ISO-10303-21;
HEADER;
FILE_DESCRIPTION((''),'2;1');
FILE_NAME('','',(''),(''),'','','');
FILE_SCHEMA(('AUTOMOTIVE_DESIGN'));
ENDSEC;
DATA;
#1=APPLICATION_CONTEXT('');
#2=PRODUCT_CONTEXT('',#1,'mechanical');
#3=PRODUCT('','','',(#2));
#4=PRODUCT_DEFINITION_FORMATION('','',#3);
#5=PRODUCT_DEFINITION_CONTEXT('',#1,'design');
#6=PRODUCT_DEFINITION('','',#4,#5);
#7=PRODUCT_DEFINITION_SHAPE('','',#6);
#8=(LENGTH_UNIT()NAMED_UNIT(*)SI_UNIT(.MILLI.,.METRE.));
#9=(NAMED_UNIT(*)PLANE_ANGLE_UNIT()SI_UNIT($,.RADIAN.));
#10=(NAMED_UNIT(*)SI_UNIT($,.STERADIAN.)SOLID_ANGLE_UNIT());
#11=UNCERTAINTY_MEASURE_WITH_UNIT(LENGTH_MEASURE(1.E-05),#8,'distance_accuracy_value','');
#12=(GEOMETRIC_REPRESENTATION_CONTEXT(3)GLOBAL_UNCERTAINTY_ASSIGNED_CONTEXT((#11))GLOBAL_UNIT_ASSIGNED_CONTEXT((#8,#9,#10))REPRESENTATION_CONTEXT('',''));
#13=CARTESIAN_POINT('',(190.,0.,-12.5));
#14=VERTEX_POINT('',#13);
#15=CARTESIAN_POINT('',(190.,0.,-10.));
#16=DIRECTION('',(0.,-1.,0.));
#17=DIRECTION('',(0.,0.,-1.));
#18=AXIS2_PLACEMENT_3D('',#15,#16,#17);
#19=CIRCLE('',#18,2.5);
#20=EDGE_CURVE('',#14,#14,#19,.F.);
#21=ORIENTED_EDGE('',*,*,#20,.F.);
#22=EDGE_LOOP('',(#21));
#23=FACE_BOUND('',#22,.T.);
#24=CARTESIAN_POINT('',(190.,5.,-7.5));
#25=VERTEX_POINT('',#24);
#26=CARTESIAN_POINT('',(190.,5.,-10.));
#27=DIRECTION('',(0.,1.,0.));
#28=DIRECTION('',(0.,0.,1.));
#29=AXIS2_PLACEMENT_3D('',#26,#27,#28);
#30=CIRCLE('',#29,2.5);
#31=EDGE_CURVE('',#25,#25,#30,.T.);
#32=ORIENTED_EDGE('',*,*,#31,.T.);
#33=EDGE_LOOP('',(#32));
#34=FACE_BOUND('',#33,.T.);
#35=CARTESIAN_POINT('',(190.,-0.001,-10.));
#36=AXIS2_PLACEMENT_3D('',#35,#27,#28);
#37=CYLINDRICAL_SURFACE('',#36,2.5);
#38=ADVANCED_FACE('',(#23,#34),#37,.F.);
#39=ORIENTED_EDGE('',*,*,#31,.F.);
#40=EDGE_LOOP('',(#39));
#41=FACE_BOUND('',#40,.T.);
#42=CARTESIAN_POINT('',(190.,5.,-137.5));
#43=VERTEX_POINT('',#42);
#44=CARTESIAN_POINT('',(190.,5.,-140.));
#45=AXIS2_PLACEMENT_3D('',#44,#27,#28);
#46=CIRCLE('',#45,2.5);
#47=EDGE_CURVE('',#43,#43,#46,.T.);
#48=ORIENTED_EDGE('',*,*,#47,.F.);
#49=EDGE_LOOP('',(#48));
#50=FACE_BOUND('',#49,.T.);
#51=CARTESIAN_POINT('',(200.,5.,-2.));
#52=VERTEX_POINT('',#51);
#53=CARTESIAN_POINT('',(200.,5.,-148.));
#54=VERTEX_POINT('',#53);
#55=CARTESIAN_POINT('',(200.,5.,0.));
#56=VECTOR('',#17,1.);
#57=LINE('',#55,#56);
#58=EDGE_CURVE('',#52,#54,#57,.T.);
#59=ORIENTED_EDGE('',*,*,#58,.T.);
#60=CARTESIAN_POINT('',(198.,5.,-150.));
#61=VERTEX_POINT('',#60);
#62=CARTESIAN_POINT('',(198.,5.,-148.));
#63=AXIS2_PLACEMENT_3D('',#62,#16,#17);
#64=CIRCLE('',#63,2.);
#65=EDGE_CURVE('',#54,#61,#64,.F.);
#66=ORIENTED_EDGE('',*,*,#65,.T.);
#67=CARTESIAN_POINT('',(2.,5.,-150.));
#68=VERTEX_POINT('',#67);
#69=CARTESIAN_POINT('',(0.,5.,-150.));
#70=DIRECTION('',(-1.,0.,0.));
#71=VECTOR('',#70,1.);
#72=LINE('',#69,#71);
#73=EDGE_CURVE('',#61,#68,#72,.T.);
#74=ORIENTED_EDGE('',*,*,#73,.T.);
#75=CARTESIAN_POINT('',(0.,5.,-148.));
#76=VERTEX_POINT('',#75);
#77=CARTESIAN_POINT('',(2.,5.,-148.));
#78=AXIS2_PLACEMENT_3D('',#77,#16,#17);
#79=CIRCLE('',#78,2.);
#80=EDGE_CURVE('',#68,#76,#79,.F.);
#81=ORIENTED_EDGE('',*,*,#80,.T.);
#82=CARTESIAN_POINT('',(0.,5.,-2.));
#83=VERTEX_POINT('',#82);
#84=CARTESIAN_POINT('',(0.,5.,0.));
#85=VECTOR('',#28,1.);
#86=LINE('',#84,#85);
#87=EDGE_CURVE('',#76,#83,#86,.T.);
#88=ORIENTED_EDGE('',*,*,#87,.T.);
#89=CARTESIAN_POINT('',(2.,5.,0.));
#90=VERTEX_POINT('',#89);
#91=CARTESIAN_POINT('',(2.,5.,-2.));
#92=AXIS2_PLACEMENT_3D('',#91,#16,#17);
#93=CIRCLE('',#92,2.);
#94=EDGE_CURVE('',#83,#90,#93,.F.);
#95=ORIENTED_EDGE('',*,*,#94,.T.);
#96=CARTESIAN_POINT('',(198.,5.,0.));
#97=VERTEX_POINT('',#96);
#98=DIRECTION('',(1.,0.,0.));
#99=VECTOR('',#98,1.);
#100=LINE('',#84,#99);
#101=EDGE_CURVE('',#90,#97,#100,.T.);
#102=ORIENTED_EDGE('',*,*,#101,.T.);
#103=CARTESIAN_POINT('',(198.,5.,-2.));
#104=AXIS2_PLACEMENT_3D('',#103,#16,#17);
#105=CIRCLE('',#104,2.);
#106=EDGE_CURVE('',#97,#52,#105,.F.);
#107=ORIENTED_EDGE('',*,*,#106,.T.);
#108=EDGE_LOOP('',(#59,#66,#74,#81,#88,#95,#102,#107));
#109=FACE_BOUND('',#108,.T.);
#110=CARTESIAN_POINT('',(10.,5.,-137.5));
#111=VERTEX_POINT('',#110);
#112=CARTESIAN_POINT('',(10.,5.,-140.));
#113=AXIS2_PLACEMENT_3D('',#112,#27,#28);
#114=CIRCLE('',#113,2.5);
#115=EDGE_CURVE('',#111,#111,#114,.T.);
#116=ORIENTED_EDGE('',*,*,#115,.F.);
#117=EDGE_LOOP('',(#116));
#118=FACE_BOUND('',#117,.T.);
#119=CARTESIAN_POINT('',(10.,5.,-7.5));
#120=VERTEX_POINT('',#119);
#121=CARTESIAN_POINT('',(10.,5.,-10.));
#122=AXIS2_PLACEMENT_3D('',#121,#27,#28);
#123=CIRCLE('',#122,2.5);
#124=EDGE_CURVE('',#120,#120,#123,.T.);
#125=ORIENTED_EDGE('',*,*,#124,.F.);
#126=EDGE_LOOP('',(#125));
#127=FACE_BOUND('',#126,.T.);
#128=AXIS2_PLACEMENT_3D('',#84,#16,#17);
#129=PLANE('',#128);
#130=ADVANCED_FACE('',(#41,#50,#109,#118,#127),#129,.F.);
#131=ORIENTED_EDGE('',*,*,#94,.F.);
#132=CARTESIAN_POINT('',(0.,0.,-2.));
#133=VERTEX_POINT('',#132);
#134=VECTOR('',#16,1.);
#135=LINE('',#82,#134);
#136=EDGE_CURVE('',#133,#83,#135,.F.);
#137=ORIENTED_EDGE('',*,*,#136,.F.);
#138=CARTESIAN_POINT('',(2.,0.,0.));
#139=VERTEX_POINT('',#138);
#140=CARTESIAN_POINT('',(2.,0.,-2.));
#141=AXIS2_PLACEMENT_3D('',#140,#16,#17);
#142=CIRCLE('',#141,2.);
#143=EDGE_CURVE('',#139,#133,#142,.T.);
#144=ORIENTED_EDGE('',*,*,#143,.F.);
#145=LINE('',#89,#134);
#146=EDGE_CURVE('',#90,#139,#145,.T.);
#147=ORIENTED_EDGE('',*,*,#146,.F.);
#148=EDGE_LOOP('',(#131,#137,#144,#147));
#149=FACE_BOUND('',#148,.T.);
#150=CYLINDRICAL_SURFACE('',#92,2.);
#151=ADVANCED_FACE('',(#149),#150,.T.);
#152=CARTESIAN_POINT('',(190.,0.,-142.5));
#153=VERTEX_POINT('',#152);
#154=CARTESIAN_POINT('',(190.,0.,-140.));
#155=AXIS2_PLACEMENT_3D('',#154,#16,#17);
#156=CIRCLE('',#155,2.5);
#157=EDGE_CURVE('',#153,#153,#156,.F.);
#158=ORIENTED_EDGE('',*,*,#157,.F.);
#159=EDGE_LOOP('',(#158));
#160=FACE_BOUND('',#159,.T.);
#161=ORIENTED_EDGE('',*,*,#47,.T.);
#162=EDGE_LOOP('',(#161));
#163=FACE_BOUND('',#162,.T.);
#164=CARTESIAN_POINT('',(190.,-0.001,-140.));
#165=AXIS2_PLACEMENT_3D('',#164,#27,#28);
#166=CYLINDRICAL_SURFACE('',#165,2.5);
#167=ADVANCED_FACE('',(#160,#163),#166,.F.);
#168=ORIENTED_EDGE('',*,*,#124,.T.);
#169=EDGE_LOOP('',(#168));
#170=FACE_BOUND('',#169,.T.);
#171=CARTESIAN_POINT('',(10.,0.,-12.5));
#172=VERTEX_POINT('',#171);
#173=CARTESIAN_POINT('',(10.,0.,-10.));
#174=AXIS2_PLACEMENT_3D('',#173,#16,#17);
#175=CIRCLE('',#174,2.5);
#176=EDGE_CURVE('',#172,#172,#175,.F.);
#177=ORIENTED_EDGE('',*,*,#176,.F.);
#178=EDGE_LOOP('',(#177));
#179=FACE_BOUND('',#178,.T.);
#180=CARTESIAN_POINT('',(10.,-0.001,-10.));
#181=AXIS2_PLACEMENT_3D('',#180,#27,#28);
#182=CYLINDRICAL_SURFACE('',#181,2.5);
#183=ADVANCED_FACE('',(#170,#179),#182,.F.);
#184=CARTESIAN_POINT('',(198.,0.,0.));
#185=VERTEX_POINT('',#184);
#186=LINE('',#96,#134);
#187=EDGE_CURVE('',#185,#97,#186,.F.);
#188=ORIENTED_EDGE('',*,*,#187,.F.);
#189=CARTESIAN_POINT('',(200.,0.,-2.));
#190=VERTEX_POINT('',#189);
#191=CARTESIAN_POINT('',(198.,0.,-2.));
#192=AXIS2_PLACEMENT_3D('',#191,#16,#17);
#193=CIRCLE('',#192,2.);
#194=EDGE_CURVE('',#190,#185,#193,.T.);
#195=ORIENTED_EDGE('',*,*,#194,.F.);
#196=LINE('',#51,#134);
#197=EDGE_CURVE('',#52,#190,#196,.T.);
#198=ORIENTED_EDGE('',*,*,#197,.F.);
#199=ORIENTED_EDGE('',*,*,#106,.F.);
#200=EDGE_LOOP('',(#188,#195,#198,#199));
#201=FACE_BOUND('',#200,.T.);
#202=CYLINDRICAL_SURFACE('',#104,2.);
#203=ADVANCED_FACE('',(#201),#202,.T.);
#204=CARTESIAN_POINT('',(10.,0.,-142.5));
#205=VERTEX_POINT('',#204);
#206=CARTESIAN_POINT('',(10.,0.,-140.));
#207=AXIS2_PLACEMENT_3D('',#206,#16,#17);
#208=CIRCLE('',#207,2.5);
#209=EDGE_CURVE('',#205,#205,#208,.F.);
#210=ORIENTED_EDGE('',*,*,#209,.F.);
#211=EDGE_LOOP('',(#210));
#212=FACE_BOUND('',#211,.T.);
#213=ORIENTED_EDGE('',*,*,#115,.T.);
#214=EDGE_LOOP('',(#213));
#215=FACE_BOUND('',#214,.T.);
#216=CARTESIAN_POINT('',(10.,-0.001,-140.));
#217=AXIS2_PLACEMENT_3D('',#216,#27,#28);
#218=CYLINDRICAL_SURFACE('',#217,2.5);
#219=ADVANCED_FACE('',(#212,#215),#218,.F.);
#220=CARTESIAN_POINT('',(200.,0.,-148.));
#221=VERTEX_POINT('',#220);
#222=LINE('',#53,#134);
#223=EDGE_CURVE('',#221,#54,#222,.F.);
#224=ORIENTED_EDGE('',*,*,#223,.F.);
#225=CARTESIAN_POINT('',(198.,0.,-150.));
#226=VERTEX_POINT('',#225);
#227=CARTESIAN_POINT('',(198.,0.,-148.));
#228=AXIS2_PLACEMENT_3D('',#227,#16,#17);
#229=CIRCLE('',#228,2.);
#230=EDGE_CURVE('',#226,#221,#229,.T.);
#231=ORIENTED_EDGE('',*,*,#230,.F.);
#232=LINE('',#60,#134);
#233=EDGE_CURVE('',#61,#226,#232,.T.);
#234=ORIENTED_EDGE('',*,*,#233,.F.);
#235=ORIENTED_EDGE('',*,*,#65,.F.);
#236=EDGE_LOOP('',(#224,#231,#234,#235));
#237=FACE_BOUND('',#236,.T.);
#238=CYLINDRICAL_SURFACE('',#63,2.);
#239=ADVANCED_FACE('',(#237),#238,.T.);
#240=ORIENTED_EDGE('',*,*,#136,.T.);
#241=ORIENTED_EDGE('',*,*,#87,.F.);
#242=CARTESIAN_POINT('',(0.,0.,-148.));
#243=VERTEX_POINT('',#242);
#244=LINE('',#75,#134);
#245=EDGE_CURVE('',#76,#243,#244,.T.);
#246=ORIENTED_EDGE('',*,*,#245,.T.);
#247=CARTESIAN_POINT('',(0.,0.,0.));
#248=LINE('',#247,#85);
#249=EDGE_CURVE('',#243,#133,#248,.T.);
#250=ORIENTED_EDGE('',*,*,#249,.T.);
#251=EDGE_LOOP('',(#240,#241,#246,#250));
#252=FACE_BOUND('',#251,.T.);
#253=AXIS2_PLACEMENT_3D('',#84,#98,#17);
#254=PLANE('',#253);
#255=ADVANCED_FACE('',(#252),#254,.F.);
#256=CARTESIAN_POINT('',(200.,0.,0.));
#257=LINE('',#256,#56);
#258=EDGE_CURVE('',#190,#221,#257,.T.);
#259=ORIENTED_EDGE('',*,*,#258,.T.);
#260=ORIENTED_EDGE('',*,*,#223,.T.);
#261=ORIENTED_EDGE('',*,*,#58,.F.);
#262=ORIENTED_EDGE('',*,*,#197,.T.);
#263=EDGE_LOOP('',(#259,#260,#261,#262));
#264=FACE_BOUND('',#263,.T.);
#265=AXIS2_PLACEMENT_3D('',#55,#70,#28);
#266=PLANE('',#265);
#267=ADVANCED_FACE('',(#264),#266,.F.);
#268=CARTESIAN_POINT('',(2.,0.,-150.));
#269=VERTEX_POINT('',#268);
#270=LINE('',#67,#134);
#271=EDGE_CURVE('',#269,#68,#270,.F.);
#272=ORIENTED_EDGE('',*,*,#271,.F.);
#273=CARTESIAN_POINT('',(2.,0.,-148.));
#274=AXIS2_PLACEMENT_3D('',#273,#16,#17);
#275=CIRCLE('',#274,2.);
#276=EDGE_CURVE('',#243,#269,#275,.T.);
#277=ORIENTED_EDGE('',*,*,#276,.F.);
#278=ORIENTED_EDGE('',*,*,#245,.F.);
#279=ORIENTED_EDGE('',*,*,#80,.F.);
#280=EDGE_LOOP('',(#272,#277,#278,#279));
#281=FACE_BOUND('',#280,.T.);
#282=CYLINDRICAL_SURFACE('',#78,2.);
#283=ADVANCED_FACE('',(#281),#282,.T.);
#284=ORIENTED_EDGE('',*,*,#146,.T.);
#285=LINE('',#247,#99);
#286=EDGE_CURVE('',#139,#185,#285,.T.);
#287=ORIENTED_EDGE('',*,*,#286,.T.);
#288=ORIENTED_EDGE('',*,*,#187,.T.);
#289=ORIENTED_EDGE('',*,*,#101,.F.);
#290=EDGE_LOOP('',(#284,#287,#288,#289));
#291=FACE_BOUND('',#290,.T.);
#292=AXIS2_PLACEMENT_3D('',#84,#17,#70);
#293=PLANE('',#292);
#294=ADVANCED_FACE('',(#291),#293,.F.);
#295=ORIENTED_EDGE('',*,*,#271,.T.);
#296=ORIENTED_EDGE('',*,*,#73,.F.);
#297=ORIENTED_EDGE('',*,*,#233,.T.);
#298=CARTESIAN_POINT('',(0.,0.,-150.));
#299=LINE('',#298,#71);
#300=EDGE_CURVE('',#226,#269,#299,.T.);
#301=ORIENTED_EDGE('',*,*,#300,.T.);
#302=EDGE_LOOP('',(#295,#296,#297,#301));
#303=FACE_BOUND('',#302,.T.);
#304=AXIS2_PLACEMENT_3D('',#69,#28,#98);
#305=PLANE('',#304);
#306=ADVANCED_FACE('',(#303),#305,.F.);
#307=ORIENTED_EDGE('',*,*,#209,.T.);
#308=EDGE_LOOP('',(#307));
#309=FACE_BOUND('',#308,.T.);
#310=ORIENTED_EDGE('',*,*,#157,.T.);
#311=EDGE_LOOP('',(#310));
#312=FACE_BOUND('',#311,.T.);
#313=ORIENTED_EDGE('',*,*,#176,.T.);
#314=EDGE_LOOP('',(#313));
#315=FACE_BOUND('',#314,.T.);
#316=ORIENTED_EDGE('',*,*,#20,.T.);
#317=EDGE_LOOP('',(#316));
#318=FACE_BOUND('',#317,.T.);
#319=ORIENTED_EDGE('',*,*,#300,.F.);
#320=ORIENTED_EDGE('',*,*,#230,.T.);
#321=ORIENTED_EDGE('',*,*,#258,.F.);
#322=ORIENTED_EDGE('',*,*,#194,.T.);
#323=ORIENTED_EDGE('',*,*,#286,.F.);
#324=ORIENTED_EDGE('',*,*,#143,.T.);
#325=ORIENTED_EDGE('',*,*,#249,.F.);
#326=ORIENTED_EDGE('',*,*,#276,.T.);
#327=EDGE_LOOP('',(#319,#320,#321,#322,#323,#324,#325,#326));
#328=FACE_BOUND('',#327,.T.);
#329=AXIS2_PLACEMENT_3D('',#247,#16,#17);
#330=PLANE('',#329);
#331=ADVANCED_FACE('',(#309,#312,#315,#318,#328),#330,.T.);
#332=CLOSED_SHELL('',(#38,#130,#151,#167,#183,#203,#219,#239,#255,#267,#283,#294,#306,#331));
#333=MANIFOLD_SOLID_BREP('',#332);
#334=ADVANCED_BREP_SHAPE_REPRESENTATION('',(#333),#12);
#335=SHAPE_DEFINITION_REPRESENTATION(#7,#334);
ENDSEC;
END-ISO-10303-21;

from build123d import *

# Parameters (mm, degrees)
SKETCH1_W           = 200
SKETCH1_H           = 150
BOSS_EXTRUDE1_DEPTH = 5
FILLET1_R           = 2
CUT_EXTRUDE1_REACH  = 252.05
SKETCH2_R           = 2.5


with BuildPart() as part:
    # Sketch1 → Boss-Extrude1 (new body)
    with BuildSketch(Plane(origin=(0, 0, 0), x_dir=(1, 0, 0), z_dir=(0, 1, 0))):
        with Locations((100, 75)):
            Rectangle(SKETCH1_W, SKETCH1_H)
    extrude(amount=BOSS_EXTRUDE1_DEPTH)

    # Fillet1
    fillet1_edges = [part.edges().sort_by_distance(p)[0] for p in [
        (0, 2.5, -150),
        (200, 2.5, -150),
        (200, 2.5, 0),
        (0, 2.5, 0),
    ]]
    fillet(fillet1_edges, radius=FILLET1_R)

    # Sketch2 → Cut-Extrude1 (cut, up to next)
    with BuildSketch(Plane(origin=(0, 5, 0), x_dir=(1, 0, 0), z_dir=(0, 1, 0)), mode=Mode.PRIVATE) as cut_extrude1_sk1:
        with Locations(Location((10, 140, 0), (0, 0, 270))):
            Circle(SKETCH2_R)
    cut_extrude1_tool1 = extrude(cut_extrude1_sk1.sketch, amount=-CUT_EXTRUDE1_REACH, mode=Mode.PRIVATE) & part.part
    # Sketch2 → Cut-Extrude1 (cut, up to next)
    with BuildSketch(Plane(origin=(0, 5, 0), x_dir=(1, 0, 0), z_dir=(0, 1, 0)), mode=Mode.PRIVATE) as cut_extrude1_sk2:
        with Locations(Location((190, 140, 0), (0, 0, 270))):
            Circle(SKETCH2_R)
    cut_extrude1_tool2 = extrude(cut_extrude1_sk2.sketch, amount=-CUT_EXTRUDE1_REACH, mode=Mode.PRIVATE) & part.part
    # Sketch2 → Cut-Extrude1 (cut, up to next)
    with BuildSketch(Plane(origin=(0, 5, 0), x_dir=(1, 0, 0), z_dir=(0, 1, 0)), mode=Mode.PRIVATE) as cut_extrude1_sk3:
        with Locations(Location((190, 10, 0), (0, 0, 270))):
            Circle(SKETCH2_R)
    cut_extrude1_tool3 = extrude(cut_extrude1_sk3.sketch, amount=-CUT_EXTRUDE1_REACH, mode=Mode.PRIVATE) & part.part
    # Sketch2 → Cut-Extrude1 (cut, up to next)
    with BuildSketch(Plane(origin=(0, 5, 0), x_dir=(1, 0, 0), z_dir=(0, 1, 0)), mode=Mode.PRIVATE) as cut_extrude1_sk4:
        with Locations(Location((10, 10, 0), (0, 0, 270))):
            Circle(SKETCH2_R)
    cut_extrude1_tool4 = extrude(cut_extrude1_sk4.sketch, amount=-CUT_EXTRUDE1_REACH, mode=Mode.PRIVATE) & part.part
    add(cut_extrude1_tool1.solids().sort_by_distance((10, 5, -140))[0], mode=Mode.SUBTRACT)
    add(cut_extrude1_tool2.solids().sort_by_distance((190, 5, -140))[0], mode=Mode.SUBTRACT)
    add(cut_extrude1_tool3.solids().sort_by_distance((190, 5, -10))[0], mode=Mode.SUBTRACT)
    add(cut_extrude1_tool4.solids().sort_by_distance((10, 5, -10))[0], mode=Mode.SUBTRACT)


solid = part.part
